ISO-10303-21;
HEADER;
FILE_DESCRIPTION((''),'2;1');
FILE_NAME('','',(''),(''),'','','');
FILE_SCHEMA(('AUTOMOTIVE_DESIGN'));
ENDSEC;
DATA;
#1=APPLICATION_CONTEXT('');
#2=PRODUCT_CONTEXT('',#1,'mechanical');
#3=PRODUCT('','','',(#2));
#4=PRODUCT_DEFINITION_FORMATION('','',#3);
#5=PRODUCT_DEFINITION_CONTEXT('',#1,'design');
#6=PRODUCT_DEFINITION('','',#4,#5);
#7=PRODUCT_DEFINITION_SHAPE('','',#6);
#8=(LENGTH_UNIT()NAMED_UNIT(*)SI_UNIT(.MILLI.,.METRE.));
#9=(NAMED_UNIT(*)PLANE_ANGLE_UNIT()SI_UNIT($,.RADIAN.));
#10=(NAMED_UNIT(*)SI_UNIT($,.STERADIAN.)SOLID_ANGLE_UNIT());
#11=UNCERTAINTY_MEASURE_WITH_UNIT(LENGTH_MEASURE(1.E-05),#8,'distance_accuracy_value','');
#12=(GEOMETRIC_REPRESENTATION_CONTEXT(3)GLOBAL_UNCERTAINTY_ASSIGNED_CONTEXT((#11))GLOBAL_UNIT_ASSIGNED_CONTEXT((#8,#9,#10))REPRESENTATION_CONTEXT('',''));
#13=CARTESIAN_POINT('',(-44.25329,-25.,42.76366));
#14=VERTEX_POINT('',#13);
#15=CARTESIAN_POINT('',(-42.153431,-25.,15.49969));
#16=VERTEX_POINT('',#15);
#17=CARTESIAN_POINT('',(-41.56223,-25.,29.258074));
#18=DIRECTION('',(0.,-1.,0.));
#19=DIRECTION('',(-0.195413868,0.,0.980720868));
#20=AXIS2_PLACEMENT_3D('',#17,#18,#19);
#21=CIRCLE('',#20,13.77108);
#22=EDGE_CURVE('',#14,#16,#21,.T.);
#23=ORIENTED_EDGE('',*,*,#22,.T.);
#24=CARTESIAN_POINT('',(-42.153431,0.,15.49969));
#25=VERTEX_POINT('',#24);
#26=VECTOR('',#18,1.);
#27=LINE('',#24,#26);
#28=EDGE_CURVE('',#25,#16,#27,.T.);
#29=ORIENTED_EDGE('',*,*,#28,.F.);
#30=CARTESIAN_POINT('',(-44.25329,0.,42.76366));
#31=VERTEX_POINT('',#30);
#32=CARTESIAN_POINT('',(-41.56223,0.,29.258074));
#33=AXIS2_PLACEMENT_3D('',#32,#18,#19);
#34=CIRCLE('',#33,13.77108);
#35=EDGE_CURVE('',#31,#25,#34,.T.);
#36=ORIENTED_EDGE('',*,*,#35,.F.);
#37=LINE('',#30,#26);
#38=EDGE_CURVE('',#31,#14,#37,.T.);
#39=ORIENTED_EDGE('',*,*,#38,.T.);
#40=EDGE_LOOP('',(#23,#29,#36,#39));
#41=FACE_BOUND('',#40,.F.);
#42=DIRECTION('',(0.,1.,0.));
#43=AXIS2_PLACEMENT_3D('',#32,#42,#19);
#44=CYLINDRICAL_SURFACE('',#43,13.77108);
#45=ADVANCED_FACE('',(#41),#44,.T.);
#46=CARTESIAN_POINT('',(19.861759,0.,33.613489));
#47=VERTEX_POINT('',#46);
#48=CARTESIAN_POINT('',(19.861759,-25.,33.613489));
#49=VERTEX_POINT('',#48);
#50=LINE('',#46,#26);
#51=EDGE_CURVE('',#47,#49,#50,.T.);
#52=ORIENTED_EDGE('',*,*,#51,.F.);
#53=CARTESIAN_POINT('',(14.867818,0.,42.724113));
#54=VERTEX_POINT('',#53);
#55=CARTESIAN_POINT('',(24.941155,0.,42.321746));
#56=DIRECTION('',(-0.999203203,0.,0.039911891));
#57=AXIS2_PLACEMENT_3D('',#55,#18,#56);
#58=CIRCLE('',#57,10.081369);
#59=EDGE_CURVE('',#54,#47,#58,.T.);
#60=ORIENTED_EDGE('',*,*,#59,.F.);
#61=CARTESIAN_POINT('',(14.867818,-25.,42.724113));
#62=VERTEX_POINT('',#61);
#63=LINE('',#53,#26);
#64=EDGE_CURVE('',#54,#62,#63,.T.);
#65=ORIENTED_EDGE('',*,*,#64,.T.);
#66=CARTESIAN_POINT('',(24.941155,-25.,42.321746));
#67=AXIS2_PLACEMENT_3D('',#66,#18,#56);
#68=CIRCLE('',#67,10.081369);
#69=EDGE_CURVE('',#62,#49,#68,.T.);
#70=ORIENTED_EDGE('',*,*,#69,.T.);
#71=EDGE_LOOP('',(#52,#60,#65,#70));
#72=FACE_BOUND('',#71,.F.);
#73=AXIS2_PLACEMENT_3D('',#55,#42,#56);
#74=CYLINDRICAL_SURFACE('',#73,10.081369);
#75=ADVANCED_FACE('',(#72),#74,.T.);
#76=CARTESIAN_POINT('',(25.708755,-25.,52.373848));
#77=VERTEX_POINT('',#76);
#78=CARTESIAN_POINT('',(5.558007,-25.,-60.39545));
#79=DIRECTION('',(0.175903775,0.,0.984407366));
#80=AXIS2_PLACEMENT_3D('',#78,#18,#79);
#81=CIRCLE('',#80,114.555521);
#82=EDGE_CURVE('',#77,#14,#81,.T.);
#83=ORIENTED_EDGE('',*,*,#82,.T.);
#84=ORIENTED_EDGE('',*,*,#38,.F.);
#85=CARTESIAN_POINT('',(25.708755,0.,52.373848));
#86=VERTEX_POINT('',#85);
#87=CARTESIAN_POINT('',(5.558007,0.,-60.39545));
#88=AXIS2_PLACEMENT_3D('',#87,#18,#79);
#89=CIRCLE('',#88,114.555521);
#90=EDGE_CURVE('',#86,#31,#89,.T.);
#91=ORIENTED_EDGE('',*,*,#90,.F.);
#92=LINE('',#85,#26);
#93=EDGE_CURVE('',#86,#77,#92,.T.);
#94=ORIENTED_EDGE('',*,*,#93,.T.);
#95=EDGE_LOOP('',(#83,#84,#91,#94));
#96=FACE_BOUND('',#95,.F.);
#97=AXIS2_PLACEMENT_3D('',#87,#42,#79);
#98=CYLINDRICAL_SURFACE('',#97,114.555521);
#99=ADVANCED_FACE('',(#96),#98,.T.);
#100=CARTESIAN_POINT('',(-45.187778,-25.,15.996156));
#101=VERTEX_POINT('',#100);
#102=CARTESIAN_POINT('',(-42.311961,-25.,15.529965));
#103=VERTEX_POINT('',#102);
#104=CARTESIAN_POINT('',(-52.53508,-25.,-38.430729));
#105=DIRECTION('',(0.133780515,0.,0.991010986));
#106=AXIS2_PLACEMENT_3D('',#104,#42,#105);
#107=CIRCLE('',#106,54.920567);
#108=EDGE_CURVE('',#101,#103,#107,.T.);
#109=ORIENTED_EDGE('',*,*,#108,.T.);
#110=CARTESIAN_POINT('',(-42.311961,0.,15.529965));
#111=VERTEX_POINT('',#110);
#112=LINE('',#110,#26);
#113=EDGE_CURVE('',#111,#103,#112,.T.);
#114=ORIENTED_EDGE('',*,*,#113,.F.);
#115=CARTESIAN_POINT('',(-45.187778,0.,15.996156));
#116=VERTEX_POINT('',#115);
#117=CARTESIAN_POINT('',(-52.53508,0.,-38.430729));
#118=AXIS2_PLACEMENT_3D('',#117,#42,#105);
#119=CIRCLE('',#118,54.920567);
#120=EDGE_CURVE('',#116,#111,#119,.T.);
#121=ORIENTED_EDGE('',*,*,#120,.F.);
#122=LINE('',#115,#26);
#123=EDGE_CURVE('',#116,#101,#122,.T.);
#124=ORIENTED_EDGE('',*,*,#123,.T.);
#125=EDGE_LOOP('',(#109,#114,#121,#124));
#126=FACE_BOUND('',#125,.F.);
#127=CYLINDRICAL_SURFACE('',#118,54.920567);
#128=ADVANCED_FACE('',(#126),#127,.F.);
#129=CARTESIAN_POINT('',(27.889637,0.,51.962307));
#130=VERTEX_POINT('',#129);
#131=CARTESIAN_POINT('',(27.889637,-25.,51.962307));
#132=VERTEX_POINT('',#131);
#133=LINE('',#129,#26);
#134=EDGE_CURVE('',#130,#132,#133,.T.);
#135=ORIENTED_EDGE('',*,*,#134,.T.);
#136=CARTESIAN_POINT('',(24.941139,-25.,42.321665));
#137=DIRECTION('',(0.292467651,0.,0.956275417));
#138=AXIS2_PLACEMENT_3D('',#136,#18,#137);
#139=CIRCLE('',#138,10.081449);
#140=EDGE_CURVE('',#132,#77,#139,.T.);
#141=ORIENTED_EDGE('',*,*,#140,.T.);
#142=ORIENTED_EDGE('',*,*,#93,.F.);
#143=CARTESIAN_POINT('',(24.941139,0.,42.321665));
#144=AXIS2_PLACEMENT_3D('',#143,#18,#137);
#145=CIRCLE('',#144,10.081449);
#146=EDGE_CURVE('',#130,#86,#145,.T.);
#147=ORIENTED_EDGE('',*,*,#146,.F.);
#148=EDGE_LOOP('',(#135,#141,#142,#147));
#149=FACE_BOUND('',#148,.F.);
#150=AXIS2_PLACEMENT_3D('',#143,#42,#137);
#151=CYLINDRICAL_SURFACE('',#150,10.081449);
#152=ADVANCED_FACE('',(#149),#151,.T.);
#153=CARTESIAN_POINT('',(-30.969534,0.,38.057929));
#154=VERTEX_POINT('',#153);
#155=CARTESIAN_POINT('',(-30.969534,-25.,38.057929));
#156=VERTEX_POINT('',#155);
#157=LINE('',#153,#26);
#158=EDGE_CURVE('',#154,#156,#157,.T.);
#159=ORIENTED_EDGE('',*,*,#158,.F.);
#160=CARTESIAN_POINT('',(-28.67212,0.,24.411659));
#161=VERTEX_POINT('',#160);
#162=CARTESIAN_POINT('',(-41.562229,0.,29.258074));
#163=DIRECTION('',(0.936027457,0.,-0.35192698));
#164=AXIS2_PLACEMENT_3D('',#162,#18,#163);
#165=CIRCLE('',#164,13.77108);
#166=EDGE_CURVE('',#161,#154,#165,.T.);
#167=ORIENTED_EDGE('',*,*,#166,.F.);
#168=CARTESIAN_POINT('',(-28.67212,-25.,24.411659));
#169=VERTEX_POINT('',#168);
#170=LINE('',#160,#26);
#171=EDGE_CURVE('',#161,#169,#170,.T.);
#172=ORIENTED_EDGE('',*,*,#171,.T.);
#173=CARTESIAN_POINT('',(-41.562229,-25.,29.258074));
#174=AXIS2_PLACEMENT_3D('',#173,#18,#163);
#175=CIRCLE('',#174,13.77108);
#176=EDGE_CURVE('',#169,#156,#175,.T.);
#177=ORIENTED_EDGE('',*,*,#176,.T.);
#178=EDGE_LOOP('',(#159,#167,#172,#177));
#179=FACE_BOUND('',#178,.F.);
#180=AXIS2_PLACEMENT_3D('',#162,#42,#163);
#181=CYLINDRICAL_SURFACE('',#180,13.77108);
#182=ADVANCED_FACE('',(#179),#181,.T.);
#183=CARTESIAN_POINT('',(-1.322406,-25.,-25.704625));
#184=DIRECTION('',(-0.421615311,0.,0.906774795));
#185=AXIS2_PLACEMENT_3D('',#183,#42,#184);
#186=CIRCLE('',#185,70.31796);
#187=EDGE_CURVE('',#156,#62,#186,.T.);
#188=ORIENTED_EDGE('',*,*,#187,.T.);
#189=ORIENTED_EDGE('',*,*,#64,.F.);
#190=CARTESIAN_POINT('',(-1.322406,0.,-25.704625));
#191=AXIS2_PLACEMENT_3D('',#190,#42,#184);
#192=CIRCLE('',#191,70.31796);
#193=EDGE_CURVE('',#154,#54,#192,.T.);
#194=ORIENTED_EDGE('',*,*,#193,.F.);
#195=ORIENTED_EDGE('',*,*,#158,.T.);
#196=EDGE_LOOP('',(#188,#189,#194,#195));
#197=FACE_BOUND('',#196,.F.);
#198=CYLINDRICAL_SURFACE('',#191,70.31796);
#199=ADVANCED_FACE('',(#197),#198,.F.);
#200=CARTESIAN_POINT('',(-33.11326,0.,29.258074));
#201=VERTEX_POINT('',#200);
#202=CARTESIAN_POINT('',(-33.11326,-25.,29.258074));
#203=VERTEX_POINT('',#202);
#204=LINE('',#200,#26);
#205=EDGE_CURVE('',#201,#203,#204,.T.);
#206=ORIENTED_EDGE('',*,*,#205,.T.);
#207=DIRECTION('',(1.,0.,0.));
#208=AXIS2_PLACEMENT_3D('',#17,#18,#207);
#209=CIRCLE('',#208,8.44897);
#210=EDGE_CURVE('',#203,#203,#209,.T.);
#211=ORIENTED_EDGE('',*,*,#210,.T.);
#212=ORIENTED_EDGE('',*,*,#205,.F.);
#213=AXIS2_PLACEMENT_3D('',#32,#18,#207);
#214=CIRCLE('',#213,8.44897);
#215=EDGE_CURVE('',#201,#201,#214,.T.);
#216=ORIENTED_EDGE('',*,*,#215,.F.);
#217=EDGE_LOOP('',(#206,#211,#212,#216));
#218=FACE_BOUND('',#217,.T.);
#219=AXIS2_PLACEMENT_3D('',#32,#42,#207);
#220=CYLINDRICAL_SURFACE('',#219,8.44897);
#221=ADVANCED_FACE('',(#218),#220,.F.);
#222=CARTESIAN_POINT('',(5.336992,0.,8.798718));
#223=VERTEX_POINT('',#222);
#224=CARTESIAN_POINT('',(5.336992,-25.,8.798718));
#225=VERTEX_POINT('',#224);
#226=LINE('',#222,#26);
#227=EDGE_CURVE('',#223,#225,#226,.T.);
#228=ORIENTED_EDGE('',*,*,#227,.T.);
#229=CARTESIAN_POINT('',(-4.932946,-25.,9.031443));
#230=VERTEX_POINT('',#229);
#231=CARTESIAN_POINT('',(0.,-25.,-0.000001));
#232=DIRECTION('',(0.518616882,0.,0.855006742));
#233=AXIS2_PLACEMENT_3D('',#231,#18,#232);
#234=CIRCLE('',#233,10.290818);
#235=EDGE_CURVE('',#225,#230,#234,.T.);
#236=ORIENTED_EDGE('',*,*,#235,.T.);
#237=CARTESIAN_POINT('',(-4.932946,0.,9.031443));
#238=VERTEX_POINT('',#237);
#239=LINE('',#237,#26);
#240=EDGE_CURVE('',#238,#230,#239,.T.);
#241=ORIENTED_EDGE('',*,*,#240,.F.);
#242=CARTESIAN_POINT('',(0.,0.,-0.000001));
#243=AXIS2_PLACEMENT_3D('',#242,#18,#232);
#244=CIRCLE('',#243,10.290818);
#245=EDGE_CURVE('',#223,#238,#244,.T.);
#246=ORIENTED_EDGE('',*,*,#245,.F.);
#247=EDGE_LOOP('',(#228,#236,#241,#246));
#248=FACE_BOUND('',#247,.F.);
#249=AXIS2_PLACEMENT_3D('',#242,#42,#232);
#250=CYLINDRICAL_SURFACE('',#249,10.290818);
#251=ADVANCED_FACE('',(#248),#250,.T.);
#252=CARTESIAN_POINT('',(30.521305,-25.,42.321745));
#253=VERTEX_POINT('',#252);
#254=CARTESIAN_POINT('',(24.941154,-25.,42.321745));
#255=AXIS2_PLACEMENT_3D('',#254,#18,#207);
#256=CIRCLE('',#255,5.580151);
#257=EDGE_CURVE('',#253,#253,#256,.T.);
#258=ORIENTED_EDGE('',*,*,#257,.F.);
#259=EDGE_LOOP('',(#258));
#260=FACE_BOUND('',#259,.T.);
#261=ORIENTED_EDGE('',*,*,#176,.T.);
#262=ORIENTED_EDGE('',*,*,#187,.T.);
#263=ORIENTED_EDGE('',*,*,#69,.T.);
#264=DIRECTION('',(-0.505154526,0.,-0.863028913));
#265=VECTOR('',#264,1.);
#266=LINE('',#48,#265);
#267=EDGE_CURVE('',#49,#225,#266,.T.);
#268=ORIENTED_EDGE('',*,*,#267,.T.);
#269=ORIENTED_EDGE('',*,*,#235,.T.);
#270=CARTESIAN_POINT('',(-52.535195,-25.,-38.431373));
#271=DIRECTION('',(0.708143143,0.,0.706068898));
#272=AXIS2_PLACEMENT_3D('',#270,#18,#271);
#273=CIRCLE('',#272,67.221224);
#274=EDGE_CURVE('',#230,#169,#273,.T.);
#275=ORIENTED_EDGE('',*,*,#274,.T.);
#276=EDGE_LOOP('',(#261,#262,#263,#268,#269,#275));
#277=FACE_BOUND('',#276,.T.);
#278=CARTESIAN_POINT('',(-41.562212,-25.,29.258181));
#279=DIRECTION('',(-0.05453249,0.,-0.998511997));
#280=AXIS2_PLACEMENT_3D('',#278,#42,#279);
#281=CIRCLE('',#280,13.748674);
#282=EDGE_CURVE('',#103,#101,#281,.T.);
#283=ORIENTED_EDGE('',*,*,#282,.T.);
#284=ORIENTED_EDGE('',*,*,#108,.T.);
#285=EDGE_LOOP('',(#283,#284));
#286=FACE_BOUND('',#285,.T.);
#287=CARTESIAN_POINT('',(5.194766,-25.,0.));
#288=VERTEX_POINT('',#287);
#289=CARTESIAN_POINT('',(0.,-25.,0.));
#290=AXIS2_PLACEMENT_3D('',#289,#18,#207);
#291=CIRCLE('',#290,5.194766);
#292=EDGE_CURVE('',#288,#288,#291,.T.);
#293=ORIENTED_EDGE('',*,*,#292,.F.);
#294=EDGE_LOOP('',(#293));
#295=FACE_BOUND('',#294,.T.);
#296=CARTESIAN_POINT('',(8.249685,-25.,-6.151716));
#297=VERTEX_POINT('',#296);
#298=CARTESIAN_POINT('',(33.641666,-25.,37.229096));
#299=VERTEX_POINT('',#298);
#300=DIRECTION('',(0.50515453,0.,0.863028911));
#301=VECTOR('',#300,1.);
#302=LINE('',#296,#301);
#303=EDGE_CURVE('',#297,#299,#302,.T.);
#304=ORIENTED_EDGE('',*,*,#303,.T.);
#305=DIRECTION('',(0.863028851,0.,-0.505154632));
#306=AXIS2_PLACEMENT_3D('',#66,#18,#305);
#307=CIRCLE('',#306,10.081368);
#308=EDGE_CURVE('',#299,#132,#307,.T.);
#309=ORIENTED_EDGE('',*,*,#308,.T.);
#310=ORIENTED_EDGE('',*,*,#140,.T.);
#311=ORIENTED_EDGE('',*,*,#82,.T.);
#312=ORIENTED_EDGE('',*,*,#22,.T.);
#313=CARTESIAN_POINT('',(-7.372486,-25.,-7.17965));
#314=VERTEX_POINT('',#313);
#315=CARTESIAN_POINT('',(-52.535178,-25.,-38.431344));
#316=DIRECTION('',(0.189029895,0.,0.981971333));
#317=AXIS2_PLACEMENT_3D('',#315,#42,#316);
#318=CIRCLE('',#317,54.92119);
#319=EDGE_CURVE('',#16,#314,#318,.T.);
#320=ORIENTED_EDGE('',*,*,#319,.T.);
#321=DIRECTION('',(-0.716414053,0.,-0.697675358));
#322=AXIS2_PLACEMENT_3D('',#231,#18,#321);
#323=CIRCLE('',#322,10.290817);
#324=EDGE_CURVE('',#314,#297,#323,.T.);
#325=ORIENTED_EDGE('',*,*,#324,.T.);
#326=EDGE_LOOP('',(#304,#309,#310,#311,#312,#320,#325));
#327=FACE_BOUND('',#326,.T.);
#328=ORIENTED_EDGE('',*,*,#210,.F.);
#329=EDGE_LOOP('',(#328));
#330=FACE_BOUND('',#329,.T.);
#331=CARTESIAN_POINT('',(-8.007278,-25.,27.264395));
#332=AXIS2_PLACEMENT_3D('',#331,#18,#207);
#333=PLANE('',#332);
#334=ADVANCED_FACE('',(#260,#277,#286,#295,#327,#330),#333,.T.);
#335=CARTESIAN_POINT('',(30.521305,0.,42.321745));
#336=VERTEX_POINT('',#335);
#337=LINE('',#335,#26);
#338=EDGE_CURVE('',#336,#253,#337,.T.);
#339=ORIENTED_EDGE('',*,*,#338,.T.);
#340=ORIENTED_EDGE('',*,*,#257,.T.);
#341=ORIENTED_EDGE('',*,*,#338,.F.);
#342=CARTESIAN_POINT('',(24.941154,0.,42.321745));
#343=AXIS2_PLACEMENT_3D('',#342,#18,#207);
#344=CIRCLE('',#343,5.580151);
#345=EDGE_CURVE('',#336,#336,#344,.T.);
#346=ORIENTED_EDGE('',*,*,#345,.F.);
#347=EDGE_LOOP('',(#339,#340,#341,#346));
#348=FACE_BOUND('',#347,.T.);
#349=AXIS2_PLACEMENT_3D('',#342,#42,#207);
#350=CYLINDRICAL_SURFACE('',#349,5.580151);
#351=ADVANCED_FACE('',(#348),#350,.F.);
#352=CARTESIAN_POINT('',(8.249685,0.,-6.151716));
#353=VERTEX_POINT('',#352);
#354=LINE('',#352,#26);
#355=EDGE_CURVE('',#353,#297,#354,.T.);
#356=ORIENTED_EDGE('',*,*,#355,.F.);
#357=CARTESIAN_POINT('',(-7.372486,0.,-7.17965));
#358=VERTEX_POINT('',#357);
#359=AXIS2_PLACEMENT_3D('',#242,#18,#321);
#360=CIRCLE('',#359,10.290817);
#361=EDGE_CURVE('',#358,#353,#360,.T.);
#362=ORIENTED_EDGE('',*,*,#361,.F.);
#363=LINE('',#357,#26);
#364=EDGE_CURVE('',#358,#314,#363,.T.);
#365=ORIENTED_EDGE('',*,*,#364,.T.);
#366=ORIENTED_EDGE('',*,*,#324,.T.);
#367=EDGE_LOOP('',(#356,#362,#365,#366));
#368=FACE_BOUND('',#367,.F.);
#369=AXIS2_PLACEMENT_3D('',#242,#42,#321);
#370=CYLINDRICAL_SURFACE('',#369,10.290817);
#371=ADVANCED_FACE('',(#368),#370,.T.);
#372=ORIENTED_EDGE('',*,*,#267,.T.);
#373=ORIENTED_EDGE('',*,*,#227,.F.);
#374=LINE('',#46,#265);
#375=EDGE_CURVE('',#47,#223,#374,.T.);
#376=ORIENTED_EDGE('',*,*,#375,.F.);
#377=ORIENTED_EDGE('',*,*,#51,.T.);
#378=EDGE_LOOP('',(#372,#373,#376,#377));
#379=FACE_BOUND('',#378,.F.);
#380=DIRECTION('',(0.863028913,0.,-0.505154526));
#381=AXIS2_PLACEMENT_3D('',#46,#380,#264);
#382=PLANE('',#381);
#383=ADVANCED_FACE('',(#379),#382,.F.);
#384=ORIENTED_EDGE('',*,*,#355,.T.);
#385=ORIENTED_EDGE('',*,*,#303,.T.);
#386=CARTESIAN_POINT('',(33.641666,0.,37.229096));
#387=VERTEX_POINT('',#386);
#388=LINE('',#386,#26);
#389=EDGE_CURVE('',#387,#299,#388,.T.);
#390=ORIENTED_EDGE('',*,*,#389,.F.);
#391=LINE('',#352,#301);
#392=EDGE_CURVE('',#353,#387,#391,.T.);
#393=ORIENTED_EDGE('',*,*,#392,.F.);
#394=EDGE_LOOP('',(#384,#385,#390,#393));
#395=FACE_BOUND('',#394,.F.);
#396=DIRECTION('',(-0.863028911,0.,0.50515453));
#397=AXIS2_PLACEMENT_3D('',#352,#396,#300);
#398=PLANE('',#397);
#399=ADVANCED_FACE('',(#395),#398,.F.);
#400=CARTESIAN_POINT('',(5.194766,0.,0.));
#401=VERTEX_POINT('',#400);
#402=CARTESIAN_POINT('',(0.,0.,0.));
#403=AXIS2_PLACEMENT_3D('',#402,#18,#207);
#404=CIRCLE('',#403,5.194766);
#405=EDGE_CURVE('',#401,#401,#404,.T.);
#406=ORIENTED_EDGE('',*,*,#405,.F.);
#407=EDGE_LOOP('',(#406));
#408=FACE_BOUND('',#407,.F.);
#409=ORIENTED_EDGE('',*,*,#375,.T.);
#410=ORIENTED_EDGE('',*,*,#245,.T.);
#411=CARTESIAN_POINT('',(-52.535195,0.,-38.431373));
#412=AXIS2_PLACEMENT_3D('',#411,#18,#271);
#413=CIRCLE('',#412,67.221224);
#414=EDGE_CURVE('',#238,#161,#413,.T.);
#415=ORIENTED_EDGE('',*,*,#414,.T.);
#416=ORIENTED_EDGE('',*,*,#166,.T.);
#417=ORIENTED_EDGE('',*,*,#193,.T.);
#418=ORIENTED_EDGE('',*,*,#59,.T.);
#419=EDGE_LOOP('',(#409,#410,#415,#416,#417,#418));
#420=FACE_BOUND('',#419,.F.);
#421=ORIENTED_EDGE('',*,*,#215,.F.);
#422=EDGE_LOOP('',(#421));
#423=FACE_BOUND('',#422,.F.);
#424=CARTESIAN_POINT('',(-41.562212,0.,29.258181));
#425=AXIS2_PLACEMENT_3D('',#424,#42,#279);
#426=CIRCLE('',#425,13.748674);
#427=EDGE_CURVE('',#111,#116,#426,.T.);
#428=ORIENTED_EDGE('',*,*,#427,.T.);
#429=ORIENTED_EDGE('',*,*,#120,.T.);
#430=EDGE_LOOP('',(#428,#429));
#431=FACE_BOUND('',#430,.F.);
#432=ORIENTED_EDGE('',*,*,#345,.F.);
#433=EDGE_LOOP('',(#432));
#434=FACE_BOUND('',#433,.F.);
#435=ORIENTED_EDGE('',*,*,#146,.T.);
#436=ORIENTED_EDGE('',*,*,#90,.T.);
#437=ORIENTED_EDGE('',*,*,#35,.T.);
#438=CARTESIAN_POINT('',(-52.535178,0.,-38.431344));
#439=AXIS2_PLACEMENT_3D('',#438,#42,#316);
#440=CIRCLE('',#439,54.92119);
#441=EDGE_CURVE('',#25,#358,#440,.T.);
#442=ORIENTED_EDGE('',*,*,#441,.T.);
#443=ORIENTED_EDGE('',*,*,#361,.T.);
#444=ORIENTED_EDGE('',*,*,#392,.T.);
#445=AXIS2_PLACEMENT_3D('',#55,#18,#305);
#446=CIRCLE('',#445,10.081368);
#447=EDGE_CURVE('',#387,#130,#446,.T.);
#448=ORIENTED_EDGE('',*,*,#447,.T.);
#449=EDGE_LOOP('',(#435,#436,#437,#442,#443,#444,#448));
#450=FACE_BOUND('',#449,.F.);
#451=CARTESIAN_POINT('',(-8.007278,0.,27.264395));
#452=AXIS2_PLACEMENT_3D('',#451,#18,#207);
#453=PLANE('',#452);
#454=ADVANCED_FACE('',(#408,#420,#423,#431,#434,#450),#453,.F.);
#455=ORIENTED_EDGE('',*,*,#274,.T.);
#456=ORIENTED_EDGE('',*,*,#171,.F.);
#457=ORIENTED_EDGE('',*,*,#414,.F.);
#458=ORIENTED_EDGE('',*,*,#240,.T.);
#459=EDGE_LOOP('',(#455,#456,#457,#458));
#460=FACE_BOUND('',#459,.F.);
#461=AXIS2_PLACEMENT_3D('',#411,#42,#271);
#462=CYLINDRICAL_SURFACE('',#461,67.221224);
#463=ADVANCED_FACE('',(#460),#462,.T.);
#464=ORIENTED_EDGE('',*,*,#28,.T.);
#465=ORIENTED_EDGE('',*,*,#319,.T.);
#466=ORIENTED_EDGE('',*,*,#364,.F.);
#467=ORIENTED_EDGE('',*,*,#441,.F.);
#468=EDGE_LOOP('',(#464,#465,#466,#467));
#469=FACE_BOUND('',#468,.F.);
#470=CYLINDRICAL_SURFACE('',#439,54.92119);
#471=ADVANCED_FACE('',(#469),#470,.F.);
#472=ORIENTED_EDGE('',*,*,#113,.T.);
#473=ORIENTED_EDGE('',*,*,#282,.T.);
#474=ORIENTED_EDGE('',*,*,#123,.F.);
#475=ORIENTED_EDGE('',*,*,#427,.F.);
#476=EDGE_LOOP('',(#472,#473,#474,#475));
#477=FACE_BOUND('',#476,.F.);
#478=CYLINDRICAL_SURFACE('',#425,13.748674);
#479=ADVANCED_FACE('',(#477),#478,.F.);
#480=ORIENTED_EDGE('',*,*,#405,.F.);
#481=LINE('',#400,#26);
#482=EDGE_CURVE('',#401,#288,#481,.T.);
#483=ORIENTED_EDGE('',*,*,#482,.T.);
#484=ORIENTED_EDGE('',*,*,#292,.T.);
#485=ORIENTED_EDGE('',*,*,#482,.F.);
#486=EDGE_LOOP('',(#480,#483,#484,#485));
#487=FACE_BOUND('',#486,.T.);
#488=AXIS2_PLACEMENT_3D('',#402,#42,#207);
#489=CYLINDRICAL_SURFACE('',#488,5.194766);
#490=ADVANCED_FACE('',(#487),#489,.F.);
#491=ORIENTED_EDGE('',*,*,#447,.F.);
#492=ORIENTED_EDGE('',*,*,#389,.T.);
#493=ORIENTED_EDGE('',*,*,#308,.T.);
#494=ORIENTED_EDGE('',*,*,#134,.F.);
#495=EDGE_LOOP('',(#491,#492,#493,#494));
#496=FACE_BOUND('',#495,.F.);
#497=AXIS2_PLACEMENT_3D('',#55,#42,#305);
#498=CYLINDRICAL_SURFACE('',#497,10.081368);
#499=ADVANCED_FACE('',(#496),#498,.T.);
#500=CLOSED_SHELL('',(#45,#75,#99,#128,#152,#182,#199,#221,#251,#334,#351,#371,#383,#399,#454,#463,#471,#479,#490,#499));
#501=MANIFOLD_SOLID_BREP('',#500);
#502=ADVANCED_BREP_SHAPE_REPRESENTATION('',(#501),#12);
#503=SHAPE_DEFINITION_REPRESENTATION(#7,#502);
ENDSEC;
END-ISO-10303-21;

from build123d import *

# Parameters (mm, degrees)
F0_R     = 5.194766
F0_R_2   = 8.44897
F0_R_3   = 5.580151
F1_DEPTH = 25


with BuildPart() as f1:
    # F0 (on Front) → F1 (new body)
    with BuildSketch(Plane.XZ):
        with BuildLine():
            ThreePointArc((-42.153431, 15.49969), (-22.537107, 7.573578), (-7.372486, -7.17965))
            ThreePointArc((-7.372486, -7.17965), (0.675671, -10.268612), (8.249685, -6.151716))
            Line((8.249685, -6.151716), (33.641666, 37.229096))
            ThreePointArc((33.641666, 37.229096), (34.332195, 45.988125), (27.889637, 51.962307))
            ThreePointArc((27.889637, 51.962307), (26.800193, 52.173359), (25.708755, 52.373848))
            ThreePointArc((25.708755, 52.373848), (-10.031283, 53.094379), (-44.25329, 42.76366))
            ThreePointArc((-44.25329, 42.76366), (-44.294203, 42.743895), (-44.335109, 42.724113))
            ThreePointArc((-44.335109, 42.724113), (-55.303805, 29.696455), (-45.187778, 15.996156))
            ThreePointArc((-45.187778, 15.996156), (-43.746778, 15.782133), (-42.311961, 15.529965))
            ThreePointArc((-42.311961, 15.529965), (-42.232685, 15.514886), (-42.153431, 15.49969))
        make_face()
        Circle(F0_R, mode=Mode.SUBTRACT)
        with Locations((-41.56223, 29.258074)):
            Circle(F0_R_2, mode=Mode.SUBTRACT)
        with BuildLine():
            Line((19.861759, 33.613489), (5.336992, 8.798718))
            ThreePointArc((5.336992, 8.798718), (0.233138, 10.288176), (-4.932946, 9.031443))
            ThreePointArc((-4.932946, 9.031443), (-15.984396, 17.984335), (-28.67212, 24.411659))
            ThreePointArc((-28.67212, 24.411659), (-27.982255, 31.544326), (-30.969534, 38.057929))
            ThreePointArc((-30.969534, 38.057929), (-8.443879, 44.251791), (14.867818, 42.724113))
            ThreePointArc((14.867818, 42.724113), (16.100782, 37.475942), (19.861759, 33.613489))
        make_face(mode=Mode.SUBTRACT)
        with Locations((24.941154, 42.321745)):
            Circle(F0_R_3, mode=Mode.SUBTRACT)
        with BuildLine():
            ThreePointArc((-44.25329, 42.76366), (-55.292646, 28.200564), (-42.153431, 15.49969))
            ThreePointArc((-42.153431, 15.49969), (-42.232685, 15.514886), (-42.311961, 15.529965))
            ThreePointArc((-42.311961, 15.529965), (-43.762253, 15.686672), (-45.187778, 15.996156))
            ThreePointArc((-45.187778, 15.996156), (-55.303805, 29.696455), (-44.335109, 42.724113))
            ThreePointArc((-44.335109, 42.724113), (-44.294203, 42.743895), (-44.25329, 42.76366))
        make_face()
        with BuildLine():
            ThreePointArc((25.708755, 52.373848), (26.800193, 52.173359), (27.889637, 51.962307))
            ThreePointArc((27.889637, 51.962307), (26.810555, 52.228274), (25.708755, 52.373848))
        make_face()
    extrude(amount=F1_DEPTH)


solid = f1.part
